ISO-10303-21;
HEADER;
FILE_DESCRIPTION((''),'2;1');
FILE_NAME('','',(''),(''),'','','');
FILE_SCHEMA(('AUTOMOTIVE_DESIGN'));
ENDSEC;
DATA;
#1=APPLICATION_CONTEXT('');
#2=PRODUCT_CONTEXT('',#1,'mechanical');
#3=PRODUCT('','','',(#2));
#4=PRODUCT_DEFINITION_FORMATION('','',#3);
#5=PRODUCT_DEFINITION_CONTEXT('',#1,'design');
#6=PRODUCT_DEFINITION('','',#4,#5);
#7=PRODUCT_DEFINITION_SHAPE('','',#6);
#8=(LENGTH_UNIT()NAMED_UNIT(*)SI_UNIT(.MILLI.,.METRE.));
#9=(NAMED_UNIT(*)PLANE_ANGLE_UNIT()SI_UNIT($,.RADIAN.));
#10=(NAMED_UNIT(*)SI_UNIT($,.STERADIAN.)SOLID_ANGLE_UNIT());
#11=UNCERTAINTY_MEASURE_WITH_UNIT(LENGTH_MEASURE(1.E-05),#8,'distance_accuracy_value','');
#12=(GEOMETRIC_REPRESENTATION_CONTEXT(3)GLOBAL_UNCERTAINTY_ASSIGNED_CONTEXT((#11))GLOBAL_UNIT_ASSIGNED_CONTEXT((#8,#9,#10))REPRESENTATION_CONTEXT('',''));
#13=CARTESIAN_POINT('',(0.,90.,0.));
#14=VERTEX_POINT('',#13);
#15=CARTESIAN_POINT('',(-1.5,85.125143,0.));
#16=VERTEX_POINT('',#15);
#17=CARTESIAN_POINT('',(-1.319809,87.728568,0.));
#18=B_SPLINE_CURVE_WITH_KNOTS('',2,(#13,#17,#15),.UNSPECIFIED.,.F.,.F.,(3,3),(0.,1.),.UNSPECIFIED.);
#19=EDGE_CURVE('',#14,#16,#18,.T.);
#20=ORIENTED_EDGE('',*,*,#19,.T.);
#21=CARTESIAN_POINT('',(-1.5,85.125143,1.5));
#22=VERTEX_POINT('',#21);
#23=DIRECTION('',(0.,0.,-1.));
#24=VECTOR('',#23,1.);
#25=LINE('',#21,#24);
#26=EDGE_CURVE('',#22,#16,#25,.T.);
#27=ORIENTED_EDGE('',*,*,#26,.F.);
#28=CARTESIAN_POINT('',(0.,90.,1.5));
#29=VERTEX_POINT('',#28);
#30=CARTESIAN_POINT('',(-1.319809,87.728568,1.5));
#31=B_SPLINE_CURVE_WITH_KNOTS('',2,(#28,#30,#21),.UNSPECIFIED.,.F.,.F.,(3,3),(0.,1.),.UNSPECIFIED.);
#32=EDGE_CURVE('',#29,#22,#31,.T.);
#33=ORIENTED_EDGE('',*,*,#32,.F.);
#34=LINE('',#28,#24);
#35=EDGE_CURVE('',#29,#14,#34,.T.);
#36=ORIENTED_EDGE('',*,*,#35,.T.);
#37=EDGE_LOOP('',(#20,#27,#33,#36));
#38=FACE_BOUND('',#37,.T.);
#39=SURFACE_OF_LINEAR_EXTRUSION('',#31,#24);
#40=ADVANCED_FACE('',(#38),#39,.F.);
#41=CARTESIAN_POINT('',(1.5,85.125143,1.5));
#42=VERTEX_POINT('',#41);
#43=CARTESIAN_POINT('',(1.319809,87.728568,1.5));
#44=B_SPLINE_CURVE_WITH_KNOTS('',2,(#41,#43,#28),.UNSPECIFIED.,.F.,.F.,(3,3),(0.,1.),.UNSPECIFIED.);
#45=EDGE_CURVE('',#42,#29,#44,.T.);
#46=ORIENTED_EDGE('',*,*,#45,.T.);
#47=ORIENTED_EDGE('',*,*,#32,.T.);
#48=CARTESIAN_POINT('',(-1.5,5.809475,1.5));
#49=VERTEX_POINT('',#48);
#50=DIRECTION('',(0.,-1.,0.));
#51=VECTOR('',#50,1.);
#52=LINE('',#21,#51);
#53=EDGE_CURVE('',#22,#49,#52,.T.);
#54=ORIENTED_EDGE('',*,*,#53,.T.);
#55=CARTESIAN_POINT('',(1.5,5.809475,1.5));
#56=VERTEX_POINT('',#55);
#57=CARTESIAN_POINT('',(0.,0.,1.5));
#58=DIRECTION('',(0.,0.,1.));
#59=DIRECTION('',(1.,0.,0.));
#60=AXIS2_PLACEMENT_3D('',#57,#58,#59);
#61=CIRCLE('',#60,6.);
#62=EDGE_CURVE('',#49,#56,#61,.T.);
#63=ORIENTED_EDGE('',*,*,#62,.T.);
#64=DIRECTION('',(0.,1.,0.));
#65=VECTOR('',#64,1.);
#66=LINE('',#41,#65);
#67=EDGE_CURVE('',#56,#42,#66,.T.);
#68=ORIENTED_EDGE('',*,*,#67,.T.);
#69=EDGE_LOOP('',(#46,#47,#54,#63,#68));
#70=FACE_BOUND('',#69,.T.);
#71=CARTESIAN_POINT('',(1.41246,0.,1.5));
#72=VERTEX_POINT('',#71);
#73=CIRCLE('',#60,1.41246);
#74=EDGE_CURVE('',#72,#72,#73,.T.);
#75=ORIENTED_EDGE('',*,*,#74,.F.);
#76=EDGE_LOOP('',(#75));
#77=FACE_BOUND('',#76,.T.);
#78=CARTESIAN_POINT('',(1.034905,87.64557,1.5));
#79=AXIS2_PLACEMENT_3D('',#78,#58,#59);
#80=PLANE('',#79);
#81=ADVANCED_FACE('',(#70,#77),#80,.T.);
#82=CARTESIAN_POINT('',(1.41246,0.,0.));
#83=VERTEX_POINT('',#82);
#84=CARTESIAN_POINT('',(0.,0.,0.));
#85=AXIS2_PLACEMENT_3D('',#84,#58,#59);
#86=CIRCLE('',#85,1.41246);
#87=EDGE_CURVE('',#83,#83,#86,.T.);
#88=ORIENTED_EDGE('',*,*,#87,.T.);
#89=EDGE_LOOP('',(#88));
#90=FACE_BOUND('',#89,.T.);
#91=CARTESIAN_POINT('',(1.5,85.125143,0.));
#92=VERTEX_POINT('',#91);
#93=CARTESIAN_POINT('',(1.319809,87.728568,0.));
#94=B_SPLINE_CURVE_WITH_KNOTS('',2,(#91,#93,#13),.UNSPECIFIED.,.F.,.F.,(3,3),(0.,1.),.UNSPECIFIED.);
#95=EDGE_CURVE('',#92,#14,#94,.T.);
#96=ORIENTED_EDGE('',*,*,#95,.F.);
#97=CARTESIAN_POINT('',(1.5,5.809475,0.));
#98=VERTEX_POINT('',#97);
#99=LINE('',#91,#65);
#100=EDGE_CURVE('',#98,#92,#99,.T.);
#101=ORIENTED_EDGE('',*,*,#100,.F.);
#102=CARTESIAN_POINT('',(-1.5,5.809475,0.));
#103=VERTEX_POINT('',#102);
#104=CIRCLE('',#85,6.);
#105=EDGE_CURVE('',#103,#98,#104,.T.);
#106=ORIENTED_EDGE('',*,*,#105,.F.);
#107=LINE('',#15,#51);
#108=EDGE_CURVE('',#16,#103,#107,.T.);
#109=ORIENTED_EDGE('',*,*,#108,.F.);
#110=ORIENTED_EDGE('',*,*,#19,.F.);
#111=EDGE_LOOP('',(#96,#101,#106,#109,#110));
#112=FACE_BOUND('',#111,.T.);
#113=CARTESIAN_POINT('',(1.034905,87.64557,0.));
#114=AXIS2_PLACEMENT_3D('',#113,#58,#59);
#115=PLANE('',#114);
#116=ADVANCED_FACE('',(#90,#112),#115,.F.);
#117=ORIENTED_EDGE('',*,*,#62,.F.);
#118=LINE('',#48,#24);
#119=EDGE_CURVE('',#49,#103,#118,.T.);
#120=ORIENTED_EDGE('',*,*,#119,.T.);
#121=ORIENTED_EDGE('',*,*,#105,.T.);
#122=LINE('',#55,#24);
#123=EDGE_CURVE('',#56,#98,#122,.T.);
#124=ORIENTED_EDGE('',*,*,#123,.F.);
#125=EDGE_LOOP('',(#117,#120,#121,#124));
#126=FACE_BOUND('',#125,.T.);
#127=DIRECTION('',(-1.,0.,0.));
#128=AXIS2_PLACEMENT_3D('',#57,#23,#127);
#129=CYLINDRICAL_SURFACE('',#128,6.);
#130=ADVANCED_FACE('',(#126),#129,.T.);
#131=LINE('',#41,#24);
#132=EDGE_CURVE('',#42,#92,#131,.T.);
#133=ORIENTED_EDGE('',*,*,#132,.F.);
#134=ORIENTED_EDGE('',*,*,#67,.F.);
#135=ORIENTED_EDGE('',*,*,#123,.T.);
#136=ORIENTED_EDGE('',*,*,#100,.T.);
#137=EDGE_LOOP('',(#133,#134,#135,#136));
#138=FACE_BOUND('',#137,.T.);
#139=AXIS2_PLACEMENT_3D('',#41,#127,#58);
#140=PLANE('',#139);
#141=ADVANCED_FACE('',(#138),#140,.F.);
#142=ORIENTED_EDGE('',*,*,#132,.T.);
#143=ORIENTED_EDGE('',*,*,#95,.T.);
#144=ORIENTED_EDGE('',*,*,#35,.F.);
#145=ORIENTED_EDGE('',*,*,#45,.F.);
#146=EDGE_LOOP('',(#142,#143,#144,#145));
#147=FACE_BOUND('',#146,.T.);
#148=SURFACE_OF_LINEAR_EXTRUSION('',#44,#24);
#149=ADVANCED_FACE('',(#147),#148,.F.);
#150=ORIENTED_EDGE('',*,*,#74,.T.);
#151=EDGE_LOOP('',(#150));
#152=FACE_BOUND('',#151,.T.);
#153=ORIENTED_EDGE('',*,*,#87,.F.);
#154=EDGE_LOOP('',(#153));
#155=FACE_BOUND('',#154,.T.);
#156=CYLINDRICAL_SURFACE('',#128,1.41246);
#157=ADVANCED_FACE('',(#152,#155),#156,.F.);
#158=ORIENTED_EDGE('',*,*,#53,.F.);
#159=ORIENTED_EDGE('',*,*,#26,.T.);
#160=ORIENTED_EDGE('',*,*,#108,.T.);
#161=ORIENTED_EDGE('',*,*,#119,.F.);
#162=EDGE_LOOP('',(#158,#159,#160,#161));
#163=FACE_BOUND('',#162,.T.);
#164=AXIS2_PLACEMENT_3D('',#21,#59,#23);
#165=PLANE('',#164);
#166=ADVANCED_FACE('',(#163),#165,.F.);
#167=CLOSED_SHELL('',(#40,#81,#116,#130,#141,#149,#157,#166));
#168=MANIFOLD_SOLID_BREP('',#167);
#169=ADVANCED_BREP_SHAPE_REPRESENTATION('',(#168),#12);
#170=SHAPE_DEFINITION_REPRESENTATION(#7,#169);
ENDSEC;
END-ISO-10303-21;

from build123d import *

# Parameters (mm, degrees)
SKETCH2_R           = 1.412460089
BOSS_EXTRUDE1_DEPTH = 1.5


with BuildPart() as part:
    # Sketch2 → Boss-Extrude1 (new body)
    with BuildSketch(Plane.XY):
        with BuildLine():
            Line((-1.5, 85.125143236), (-1.5, 5.809475019))
            ThreePointArc((-1.5, 5.809475019), (0, -6), (1.5, 5.809475019))
            Line((1.5, 5.809475019), (1.5, 85.125143236))
            add(Edge.make_bspline(
                [(0, 90), (1.319809251, 87.72856759), (1.5, 85.125143236)],
                knots=[0, 0, 0, 1, 1, 1], degree=2))
            add(Edge.make_bspline(
                [(0, 90), (-1.319809251, 87.72856759), (-1.5, 85.125143236)],
                knots=[0, 0, 0, 1, 1, 1], degree=2))
        make_face()
        Circle(SKETCH2_R, mode=Mode.SUBTRACT)
    extrude(amount=BOSS_EXTRUDE1_DEPTH)


solid = part.part
